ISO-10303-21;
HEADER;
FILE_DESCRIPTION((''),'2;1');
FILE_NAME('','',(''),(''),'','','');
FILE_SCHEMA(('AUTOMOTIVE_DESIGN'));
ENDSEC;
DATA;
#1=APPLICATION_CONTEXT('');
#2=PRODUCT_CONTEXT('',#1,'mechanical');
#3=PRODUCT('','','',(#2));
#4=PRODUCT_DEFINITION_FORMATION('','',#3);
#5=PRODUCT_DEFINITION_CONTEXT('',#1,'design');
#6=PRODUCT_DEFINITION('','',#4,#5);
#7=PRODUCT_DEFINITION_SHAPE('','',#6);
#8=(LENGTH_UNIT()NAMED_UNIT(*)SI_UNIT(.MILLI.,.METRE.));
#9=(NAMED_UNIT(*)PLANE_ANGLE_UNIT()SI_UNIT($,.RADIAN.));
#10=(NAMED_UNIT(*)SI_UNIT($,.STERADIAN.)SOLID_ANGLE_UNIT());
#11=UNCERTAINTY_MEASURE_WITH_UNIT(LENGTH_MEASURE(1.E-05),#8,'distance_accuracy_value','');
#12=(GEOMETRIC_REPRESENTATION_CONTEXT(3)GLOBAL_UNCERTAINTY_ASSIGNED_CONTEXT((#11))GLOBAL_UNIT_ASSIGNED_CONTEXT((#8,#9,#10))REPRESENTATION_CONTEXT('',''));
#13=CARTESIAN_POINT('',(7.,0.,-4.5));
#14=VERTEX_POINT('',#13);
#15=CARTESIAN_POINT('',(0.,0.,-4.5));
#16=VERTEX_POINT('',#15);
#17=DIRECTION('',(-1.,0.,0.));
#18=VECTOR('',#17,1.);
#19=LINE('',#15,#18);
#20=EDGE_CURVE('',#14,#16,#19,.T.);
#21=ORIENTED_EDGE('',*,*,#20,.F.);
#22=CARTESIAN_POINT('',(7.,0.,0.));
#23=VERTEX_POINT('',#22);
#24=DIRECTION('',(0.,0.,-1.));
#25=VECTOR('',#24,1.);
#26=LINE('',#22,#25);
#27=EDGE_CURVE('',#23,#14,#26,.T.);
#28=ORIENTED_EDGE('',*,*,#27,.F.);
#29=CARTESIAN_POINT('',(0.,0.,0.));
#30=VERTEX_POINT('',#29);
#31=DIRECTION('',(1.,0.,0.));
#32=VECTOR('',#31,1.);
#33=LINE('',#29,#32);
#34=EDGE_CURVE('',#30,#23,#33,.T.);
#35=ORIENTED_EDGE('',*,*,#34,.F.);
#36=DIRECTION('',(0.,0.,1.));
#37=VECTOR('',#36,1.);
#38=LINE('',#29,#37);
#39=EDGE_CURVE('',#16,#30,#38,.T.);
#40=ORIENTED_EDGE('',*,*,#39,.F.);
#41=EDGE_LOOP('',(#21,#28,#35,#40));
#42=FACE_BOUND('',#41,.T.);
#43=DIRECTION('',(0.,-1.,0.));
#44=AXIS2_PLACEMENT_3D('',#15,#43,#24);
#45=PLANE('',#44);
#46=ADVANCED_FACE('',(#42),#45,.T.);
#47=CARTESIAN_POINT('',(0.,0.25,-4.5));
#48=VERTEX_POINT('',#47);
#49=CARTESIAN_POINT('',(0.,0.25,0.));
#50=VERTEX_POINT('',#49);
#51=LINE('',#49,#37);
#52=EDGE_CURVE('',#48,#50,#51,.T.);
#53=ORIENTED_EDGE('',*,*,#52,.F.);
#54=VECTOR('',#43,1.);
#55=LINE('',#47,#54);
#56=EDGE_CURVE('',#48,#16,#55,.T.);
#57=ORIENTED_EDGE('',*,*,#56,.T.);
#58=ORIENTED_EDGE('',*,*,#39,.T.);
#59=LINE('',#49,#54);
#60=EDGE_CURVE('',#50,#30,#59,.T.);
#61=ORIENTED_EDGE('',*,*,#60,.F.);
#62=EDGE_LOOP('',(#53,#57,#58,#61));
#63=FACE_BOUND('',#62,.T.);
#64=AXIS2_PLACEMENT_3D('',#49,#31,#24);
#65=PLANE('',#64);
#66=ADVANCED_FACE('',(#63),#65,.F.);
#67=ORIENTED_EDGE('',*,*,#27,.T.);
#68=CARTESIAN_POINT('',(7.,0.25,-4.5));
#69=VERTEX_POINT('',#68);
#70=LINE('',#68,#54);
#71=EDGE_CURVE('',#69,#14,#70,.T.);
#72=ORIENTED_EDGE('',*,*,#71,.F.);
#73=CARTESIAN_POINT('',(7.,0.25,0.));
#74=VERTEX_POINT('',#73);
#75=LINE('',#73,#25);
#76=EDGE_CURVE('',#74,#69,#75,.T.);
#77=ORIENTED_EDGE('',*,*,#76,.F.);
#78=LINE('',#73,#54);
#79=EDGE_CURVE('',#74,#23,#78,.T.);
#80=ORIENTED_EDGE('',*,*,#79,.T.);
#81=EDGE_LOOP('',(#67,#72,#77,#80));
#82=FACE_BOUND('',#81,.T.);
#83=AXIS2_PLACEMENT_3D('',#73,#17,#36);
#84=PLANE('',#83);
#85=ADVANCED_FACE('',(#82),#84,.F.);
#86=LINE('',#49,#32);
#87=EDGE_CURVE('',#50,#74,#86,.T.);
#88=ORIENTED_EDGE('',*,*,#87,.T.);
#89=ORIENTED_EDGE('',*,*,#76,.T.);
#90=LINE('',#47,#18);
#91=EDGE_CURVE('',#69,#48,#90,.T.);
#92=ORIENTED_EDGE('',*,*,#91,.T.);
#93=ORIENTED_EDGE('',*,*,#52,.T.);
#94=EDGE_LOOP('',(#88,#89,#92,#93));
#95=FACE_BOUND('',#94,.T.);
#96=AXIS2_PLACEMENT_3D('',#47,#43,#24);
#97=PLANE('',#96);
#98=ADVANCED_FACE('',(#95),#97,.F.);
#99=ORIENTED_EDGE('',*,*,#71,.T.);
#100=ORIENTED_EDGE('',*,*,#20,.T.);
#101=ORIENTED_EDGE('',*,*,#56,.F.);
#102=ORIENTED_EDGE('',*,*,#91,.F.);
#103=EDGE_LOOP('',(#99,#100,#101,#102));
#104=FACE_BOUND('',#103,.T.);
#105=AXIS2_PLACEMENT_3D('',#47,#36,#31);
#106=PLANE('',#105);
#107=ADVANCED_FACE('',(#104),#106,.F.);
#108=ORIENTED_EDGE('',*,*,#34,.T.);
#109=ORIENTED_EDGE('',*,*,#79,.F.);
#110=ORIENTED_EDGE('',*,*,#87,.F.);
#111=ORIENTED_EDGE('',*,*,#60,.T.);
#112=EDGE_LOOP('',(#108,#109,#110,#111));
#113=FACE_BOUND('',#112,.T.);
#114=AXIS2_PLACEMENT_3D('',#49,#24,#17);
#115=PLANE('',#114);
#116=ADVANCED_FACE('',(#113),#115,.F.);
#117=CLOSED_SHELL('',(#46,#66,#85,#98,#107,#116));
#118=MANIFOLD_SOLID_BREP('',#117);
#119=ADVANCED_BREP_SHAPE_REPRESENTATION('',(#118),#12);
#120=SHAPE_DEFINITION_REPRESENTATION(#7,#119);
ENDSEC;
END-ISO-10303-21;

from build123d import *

# Parameters (mm, degrees)
SKETCH1_W           = 7
SKETCH1_H           = 4.5
BOSS_EXTRUDE1_DEPTH = 0.25


with BuildPart() as part:
    # Sketch1 → Boss-Extrude1 (new body)
    with BuildSketch(Plane(origin=(0, 0, 0), x_dir=(1, 0, 0), z_dir=(0, 1, 0))):
        with Locations((3.5, 2.25)):
            Rectangle(SKETCH1_W, SKETCH1_H)
    extrude(amount=BOSS_EXTRUDE1_DEPTH)


solid = part.part
